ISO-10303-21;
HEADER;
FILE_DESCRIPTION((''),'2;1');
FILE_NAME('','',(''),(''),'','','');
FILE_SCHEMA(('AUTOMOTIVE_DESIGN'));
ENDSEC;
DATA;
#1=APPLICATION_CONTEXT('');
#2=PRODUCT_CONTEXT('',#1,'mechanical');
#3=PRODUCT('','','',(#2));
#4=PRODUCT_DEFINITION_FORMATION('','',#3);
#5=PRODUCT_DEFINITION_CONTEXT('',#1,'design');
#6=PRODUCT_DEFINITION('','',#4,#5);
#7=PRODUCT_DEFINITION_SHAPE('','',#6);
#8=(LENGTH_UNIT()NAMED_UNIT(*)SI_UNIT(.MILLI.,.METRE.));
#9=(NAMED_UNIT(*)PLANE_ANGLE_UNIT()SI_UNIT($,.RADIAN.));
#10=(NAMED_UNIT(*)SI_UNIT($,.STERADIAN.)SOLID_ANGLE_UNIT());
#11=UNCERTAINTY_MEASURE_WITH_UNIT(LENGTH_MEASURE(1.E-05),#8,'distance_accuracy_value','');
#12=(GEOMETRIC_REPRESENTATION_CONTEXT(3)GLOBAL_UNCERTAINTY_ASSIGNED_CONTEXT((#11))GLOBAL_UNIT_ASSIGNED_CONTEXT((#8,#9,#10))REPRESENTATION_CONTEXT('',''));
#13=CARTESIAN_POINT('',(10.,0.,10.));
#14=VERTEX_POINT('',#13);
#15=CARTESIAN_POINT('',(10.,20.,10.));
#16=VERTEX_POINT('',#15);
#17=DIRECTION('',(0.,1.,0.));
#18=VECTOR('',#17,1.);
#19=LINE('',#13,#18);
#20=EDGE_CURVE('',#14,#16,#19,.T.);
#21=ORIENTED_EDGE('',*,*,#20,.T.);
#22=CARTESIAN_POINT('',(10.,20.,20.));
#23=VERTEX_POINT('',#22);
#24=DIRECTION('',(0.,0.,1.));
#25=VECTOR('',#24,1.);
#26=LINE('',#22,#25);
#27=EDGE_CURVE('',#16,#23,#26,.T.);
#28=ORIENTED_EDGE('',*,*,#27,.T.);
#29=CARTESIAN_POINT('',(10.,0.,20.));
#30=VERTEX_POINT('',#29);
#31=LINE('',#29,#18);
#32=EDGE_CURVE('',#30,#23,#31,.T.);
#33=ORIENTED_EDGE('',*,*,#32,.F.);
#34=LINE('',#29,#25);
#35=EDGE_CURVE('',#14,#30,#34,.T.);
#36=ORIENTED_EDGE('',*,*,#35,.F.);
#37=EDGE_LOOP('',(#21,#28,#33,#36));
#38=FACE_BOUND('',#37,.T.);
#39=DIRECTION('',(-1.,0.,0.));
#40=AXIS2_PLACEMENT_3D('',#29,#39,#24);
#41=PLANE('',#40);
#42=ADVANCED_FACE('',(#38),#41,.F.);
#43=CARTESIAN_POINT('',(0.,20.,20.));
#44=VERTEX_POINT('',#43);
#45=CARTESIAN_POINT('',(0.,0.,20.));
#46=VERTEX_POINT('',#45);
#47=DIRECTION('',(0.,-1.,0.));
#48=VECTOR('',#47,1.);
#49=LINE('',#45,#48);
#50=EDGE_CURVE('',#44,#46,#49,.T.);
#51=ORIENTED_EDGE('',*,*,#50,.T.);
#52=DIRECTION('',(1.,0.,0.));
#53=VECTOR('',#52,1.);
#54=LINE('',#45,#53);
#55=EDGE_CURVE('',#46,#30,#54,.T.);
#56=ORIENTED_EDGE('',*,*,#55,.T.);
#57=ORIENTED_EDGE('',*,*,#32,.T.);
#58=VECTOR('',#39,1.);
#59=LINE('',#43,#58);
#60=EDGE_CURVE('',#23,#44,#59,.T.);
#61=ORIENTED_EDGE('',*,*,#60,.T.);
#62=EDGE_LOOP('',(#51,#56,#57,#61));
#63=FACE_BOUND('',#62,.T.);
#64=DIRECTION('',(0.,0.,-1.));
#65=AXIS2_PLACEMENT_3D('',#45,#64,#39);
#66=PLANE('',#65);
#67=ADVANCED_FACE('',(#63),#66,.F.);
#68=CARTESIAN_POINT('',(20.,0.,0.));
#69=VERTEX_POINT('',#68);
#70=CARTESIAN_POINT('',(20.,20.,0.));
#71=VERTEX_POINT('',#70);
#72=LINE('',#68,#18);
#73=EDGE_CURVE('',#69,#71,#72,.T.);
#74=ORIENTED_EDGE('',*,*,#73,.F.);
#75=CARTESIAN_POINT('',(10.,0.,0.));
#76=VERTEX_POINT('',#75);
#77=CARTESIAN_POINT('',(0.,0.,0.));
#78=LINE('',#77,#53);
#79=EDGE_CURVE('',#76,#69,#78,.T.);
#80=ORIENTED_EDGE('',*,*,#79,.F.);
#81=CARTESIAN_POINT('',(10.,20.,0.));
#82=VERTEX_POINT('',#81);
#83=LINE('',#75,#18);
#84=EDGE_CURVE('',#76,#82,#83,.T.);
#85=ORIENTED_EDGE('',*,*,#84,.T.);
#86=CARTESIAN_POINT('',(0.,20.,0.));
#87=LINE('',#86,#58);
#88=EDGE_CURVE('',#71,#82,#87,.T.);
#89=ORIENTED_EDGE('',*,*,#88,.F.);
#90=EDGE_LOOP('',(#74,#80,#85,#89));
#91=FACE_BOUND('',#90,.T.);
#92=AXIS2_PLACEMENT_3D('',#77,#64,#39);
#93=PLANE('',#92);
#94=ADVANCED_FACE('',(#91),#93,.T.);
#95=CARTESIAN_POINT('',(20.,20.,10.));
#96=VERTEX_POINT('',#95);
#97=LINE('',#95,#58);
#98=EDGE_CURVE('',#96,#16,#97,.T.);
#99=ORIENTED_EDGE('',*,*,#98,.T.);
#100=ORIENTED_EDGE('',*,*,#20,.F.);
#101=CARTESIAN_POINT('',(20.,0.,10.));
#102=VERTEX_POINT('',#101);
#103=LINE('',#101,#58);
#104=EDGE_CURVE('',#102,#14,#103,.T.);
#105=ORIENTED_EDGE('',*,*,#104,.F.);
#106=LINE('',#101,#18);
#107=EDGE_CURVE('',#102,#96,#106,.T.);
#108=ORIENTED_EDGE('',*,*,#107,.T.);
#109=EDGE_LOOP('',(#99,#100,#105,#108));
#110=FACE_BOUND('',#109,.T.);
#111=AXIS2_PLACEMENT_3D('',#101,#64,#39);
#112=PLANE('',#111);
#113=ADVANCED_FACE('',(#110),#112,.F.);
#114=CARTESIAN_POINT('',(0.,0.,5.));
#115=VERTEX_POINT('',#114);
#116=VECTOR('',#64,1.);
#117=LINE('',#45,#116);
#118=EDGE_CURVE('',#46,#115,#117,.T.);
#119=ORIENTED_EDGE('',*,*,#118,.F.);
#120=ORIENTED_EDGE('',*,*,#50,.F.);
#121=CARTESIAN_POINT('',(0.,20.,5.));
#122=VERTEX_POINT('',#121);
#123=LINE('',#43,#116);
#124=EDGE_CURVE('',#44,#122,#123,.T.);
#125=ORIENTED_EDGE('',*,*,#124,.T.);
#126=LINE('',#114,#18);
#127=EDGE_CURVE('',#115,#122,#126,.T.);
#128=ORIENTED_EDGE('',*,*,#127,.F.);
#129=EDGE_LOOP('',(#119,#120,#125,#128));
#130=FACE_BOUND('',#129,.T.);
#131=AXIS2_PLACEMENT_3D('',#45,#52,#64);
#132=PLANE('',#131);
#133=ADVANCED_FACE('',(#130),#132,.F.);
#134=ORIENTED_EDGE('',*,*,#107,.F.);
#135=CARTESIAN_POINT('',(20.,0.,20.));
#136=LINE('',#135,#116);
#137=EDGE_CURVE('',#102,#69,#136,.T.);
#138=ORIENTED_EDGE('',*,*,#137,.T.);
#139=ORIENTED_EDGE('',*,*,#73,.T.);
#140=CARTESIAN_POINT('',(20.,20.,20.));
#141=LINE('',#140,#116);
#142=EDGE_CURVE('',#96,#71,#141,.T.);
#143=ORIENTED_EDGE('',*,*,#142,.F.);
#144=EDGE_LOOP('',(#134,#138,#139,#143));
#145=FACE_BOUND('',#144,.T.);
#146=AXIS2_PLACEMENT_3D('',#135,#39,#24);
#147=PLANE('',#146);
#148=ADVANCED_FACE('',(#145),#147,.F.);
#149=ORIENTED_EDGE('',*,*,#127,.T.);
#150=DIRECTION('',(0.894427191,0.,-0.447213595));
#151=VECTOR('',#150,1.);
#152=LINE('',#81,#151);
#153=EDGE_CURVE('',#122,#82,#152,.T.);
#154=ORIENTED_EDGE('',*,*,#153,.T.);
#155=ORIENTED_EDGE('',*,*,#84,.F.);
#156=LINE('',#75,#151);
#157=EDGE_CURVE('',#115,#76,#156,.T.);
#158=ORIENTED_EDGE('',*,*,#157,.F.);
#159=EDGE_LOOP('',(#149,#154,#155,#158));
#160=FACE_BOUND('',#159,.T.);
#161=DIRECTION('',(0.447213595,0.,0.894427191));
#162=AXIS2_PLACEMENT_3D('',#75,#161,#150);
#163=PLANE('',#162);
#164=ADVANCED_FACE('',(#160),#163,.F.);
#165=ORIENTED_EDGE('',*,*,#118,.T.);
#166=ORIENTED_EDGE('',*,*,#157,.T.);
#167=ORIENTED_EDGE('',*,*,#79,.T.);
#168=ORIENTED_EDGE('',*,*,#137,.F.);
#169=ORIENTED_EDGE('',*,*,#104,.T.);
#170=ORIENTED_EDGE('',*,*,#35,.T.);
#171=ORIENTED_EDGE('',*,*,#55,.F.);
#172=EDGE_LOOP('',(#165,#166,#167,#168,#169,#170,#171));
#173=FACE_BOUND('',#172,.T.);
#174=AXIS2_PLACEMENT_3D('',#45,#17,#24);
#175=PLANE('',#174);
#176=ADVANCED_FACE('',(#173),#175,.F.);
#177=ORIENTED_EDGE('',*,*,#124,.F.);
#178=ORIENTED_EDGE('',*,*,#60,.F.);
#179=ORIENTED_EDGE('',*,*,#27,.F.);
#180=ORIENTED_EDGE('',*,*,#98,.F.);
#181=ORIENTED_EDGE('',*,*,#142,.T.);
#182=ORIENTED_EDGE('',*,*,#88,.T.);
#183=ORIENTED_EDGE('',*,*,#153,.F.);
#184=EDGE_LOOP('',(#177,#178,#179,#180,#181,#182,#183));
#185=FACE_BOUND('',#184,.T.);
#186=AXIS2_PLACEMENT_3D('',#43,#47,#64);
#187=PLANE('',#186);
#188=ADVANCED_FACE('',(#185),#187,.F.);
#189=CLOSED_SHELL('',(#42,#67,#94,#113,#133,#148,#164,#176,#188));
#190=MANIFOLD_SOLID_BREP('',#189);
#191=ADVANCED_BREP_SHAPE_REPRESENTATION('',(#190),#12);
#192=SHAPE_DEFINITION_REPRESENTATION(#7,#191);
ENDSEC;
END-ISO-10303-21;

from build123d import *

# Parameters (mm, degrees)
SKETCH1_W           = 20
SKETCH1_H           = 20
BOSS_EXTRUDE1_DEPTH = 20
SKETCH2_W           = 10
SKETCH2_H           = 10
CUT_EXTRUDE1_DEPTH  = 20
CUT_EXTRUDE2_DEPTH  = 20


with BuildPart() as part:
    # Sketch1 → Boss-Extrude1 (new body)
    with BuildSketch(Plane.XY):
        with Locations((10, 10)):
            Rectangle(SKETCH1_W, SKETCH1_H)
    extrude(amount=BOSS_EXTRUDE1_DEPTH)

    # Sketch2 → Cut-Extrude1 (cut)
    with BuildSketch(Plane(origin=(0, 20, 0), x_dir=(1, 0, 0), z_dir=(0, 1, 0))):
        with Locations((15, -15)):
            Rectangle(SKETCH2_W, SKETCH2_H)
    extrude(amount=-CUT_EXTRUDE1_DEPTH, mode=Mode.SUBTRACT)

    # Sketch3 → Cut-Extrude2 (cut)
    with BuildSketch(Plane(origin=(0, 20, 0), x_dir=(1, 0, 0), z_dir=(0, 1, 0))):
        Polygon((0, 0), (10, 0), (0, -5), align=None)
    extrude(amount=-CUT_EXTRUDE2_DEPTH, mode=Mode.SUBTRACT)


solid = part.part
